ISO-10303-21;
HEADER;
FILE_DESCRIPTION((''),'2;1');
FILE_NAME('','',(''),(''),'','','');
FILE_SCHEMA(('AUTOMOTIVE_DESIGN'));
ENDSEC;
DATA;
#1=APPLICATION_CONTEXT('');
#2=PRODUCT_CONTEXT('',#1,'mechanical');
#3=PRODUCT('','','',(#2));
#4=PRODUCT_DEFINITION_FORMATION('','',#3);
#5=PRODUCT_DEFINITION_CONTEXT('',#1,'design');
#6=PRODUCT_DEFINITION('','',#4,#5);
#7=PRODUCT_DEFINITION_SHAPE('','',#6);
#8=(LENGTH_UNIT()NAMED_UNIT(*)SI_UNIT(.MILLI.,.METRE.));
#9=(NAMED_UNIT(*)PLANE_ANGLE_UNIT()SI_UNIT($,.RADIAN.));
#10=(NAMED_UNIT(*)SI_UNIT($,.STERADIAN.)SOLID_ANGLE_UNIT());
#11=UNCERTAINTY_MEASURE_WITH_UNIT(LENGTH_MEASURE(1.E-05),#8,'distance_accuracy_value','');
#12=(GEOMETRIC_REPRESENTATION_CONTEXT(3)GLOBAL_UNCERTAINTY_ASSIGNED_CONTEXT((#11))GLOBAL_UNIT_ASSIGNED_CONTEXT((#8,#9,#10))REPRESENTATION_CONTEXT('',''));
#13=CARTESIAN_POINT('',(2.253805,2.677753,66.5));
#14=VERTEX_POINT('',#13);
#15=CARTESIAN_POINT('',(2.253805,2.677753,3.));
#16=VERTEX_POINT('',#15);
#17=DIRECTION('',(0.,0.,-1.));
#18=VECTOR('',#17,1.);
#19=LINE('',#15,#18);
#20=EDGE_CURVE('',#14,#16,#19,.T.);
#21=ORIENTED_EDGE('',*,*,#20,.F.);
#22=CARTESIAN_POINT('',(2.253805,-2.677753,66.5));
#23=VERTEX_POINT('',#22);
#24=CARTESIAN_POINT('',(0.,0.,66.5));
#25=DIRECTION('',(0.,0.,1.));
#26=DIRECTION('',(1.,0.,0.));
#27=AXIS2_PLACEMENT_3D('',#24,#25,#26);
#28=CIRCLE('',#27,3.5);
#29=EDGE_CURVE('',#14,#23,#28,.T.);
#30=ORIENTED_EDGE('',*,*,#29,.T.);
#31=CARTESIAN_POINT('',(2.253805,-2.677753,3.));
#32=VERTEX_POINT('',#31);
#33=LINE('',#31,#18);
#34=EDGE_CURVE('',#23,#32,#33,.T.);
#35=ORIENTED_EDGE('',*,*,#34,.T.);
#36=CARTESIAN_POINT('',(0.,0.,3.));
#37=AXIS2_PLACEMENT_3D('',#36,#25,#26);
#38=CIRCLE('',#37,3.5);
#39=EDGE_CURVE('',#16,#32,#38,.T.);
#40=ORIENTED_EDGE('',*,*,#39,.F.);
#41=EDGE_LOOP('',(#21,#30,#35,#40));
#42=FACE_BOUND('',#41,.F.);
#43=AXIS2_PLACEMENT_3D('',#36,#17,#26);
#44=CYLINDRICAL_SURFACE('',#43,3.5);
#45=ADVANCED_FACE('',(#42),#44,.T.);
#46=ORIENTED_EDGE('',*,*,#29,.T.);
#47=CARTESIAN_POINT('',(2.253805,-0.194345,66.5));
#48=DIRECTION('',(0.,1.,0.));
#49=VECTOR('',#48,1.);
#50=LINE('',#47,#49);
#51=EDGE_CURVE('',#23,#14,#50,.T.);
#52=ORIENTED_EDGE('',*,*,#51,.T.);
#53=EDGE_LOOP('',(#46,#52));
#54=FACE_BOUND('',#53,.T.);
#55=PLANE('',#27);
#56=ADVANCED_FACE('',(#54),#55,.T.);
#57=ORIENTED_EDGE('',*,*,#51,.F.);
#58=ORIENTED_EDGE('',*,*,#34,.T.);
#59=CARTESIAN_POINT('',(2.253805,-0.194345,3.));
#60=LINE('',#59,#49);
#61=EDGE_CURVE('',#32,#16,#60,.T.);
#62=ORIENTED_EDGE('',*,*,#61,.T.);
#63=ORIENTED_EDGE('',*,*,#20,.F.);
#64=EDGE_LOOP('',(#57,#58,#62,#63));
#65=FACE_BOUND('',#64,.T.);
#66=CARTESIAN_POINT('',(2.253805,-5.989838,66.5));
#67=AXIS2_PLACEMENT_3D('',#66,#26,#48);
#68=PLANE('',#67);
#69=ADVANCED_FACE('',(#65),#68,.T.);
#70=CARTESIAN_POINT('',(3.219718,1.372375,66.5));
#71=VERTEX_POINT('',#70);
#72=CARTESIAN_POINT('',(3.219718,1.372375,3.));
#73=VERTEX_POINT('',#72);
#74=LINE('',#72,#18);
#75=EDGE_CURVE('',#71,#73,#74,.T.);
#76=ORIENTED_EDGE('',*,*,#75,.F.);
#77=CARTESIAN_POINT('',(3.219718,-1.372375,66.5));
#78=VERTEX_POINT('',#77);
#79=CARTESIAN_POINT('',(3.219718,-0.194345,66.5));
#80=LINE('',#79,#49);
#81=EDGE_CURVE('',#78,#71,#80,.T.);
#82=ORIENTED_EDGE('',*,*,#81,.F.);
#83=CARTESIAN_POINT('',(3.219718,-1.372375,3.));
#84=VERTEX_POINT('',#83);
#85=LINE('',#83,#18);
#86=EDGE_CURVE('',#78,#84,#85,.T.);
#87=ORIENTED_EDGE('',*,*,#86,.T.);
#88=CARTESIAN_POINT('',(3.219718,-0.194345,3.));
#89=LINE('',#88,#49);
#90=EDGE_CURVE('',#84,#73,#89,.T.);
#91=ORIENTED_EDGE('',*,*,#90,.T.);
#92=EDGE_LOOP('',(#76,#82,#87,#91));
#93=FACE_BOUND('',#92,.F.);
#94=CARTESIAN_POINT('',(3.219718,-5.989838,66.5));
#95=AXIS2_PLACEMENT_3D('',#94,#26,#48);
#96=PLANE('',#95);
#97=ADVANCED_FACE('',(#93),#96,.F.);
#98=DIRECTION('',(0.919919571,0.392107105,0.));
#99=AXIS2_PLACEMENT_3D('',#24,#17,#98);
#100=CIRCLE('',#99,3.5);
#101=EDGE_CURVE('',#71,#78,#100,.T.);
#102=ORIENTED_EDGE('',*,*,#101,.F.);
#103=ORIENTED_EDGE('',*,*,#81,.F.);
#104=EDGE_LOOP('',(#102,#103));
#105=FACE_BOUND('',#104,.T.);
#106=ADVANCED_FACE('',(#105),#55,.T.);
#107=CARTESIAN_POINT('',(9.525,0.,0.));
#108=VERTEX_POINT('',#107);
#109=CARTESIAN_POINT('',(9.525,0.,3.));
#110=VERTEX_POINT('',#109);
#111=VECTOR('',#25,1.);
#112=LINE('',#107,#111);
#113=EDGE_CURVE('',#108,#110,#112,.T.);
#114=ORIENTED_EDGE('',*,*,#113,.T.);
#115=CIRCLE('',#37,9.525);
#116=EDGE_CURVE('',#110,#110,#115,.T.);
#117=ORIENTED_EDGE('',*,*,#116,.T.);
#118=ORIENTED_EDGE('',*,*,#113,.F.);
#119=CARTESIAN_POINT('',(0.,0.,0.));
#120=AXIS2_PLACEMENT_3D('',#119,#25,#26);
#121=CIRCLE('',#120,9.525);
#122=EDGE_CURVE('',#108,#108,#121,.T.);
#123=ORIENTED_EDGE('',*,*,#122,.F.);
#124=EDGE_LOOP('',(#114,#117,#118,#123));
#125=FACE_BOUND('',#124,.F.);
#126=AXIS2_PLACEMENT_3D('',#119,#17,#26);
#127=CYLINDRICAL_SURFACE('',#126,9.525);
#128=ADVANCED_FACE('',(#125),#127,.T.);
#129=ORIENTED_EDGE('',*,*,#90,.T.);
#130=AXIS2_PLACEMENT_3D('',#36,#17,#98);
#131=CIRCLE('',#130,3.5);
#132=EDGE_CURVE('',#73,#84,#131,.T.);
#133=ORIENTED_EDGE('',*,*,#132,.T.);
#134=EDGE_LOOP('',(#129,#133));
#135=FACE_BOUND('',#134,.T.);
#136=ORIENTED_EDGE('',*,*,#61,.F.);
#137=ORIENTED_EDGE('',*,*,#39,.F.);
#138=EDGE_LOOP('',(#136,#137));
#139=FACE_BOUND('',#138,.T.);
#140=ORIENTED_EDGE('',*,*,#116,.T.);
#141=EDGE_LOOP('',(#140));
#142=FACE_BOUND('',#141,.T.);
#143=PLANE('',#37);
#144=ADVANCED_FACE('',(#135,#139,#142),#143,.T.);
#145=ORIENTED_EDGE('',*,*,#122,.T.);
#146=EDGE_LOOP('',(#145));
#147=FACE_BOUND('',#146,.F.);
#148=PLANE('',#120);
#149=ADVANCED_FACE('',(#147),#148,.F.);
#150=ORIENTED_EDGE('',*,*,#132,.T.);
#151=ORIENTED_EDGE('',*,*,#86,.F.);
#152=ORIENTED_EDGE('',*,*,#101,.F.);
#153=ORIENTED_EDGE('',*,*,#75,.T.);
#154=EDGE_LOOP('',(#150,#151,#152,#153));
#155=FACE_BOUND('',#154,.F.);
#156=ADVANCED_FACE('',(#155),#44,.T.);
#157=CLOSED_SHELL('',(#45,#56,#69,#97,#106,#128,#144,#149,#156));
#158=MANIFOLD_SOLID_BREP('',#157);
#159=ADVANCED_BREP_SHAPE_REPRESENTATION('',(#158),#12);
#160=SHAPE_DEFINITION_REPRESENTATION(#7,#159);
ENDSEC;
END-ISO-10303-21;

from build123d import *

# Parameters (mm, degrees)
F0_R     = 9.525
F1_DEPTH = 3
F2_R     = 3.5
F3_DEPTH = 63.5
F4_W     = 0.965913
F4_H     = 11.590985
F5_DEPTH = 63.5


with BuildPart() as f1:
    # F0 (on Top) → F1 (new body)
    with BuildSketch(Plane.XY):
        Circle(F0_R)
    extrude(amount=F1_DEPTH)

    # F2 (on face) → F3 (join)
    with BuildSketch(Plane.XY.offset(3)):
        Circle(F2_R)
    extrude(amount=F3_DEPTH)

    # F4 (on face) → F5 (cut)
    with BuildSketch(Plane.XY.offset(66.5)):
        with Locations((2.736762, -0.194345)):
            Rectangle(F4_W, F4_H)
    extrude(amount=-F5_DEPTH, mode=Mode.SUBTRACT)


solid = f1.part
